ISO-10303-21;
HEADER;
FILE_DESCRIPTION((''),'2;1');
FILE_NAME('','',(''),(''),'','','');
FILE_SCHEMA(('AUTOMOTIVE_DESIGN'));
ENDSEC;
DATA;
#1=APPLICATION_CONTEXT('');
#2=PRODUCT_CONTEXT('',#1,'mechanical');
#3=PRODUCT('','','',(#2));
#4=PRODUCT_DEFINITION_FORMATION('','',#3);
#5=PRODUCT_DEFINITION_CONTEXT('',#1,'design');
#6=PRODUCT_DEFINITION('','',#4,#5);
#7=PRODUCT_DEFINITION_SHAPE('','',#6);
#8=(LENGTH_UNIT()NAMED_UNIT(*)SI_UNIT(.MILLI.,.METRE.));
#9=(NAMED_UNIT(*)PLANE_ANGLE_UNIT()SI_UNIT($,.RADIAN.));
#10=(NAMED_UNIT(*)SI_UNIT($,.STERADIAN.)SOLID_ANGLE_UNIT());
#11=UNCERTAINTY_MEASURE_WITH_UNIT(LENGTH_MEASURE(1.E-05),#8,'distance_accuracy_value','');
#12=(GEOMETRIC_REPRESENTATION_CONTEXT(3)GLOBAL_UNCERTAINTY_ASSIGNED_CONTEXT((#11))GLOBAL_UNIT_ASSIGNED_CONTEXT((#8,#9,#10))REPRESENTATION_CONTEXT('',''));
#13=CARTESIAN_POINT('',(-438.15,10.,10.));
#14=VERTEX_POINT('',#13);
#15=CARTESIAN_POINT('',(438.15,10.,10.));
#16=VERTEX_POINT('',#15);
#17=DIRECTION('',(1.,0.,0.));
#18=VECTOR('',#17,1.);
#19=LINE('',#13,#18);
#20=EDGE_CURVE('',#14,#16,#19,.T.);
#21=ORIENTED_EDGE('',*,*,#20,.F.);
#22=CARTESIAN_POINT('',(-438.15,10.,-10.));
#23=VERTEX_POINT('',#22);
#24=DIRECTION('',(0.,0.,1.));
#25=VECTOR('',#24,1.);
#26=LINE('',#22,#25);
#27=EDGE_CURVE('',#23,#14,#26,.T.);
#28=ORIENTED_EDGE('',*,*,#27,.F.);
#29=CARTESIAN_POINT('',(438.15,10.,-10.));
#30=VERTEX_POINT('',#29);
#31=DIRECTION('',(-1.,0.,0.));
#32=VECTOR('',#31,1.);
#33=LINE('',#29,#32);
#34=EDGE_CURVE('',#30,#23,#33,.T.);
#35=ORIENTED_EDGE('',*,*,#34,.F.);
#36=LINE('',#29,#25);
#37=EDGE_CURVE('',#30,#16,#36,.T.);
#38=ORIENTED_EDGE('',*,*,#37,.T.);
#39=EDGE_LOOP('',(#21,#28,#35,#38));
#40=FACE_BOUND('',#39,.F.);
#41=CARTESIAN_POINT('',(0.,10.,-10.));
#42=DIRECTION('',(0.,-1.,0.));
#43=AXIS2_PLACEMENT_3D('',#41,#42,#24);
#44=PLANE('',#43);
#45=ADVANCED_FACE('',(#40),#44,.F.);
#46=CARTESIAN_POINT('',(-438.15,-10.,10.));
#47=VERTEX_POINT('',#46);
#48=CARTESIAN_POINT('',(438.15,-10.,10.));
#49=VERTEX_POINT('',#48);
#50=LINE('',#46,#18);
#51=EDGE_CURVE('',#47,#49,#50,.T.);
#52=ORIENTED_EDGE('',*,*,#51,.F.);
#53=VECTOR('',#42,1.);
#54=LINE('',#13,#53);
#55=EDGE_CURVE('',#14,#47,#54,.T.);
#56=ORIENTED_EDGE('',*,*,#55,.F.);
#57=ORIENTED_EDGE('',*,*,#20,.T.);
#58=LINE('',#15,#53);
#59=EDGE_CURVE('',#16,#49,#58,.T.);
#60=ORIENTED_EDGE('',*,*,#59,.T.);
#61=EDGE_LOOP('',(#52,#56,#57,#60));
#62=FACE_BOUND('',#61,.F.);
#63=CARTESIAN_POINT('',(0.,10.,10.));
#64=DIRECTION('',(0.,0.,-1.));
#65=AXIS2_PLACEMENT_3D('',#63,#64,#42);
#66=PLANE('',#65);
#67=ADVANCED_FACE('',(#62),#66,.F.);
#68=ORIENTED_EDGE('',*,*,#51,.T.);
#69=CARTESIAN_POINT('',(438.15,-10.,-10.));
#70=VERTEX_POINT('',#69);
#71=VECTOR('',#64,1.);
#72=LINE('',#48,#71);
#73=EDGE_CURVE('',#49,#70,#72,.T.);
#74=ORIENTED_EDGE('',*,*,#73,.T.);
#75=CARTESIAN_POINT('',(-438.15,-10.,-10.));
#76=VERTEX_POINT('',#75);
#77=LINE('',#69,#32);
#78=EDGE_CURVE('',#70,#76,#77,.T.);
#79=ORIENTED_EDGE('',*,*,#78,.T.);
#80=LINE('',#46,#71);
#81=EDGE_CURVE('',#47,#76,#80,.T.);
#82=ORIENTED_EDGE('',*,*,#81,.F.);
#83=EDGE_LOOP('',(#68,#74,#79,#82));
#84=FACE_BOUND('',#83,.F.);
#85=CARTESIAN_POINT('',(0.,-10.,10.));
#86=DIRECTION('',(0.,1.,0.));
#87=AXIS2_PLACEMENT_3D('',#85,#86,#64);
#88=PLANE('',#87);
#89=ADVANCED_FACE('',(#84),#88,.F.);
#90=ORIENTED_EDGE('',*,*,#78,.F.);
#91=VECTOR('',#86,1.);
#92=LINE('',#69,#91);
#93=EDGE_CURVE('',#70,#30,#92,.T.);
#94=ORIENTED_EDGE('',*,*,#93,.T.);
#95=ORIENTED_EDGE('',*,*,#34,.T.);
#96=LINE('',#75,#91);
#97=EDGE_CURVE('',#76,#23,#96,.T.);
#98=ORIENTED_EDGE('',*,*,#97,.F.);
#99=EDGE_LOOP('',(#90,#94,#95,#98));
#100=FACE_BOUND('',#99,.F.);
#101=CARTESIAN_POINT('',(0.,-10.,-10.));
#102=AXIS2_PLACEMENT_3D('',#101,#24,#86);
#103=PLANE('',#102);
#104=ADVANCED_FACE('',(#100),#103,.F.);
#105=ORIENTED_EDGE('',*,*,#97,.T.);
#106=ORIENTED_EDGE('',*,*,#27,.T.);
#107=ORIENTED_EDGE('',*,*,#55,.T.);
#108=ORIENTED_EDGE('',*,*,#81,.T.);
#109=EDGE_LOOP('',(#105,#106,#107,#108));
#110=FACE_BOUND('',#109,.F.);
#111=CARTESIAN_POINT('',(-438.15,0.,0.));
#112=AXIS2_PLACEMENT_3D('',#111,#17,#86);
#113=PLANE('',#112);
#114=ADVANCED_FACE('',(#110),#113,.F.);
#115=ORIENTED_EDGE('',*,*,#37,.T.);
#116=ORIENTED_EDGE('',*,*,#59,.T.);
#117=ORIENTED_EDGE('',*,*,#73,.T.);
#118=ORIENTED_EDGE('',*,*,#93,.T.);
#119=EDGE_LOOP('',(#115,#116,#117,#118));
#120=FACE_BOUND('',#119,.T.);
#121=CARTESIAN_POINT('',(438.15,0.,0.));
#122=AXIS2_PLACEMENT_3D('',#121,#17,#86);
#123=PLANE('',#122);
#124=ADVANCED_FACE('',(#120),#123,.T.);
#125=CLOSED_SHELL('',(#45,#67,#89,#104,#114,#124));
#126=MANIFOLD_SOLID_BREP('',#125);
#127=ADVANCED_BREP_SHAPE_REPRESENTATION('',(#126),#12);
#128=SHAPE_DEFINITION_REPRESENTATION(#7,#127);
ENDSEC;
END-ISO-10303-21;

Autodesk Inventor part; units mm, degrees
ref_plane "YZ Plane" through (0, 0, 0) normal (1, 0, 0) x (0, 1, 0)
ref_plane "XZ Plane" through (0, 0, 0) normal (0, 1, 0) x (-1, 0, 0)
ref_plane "XY Plane" through (0, 0, 0) normal (0, 0, 1) x (1, 0, 0)
sketch "Sketch1" plane through (0, 0, 0) normal (1, 0, 0) x (0, 1, 0)
  line L0 (10, 10) -> (-10, 10)
  line L1 (-10, 10) -> (-10, -10)
  line L2 (-10, -10) -> (10, -10)
  line L3 (10, -10) -> (10, 10)
  line L4 (10, 10) -> (-10, -10) construction
  line L5 (-10, 10) -> (10, -10) construction
  point P0 (0, 0)
  dimension "d0" = 20
  dimension "d1" = 20
extrude "Extrusion1" add sketch "Sketch1" along normal mid plane 876.3
properties part number "Alum extrusion 39_5in"
